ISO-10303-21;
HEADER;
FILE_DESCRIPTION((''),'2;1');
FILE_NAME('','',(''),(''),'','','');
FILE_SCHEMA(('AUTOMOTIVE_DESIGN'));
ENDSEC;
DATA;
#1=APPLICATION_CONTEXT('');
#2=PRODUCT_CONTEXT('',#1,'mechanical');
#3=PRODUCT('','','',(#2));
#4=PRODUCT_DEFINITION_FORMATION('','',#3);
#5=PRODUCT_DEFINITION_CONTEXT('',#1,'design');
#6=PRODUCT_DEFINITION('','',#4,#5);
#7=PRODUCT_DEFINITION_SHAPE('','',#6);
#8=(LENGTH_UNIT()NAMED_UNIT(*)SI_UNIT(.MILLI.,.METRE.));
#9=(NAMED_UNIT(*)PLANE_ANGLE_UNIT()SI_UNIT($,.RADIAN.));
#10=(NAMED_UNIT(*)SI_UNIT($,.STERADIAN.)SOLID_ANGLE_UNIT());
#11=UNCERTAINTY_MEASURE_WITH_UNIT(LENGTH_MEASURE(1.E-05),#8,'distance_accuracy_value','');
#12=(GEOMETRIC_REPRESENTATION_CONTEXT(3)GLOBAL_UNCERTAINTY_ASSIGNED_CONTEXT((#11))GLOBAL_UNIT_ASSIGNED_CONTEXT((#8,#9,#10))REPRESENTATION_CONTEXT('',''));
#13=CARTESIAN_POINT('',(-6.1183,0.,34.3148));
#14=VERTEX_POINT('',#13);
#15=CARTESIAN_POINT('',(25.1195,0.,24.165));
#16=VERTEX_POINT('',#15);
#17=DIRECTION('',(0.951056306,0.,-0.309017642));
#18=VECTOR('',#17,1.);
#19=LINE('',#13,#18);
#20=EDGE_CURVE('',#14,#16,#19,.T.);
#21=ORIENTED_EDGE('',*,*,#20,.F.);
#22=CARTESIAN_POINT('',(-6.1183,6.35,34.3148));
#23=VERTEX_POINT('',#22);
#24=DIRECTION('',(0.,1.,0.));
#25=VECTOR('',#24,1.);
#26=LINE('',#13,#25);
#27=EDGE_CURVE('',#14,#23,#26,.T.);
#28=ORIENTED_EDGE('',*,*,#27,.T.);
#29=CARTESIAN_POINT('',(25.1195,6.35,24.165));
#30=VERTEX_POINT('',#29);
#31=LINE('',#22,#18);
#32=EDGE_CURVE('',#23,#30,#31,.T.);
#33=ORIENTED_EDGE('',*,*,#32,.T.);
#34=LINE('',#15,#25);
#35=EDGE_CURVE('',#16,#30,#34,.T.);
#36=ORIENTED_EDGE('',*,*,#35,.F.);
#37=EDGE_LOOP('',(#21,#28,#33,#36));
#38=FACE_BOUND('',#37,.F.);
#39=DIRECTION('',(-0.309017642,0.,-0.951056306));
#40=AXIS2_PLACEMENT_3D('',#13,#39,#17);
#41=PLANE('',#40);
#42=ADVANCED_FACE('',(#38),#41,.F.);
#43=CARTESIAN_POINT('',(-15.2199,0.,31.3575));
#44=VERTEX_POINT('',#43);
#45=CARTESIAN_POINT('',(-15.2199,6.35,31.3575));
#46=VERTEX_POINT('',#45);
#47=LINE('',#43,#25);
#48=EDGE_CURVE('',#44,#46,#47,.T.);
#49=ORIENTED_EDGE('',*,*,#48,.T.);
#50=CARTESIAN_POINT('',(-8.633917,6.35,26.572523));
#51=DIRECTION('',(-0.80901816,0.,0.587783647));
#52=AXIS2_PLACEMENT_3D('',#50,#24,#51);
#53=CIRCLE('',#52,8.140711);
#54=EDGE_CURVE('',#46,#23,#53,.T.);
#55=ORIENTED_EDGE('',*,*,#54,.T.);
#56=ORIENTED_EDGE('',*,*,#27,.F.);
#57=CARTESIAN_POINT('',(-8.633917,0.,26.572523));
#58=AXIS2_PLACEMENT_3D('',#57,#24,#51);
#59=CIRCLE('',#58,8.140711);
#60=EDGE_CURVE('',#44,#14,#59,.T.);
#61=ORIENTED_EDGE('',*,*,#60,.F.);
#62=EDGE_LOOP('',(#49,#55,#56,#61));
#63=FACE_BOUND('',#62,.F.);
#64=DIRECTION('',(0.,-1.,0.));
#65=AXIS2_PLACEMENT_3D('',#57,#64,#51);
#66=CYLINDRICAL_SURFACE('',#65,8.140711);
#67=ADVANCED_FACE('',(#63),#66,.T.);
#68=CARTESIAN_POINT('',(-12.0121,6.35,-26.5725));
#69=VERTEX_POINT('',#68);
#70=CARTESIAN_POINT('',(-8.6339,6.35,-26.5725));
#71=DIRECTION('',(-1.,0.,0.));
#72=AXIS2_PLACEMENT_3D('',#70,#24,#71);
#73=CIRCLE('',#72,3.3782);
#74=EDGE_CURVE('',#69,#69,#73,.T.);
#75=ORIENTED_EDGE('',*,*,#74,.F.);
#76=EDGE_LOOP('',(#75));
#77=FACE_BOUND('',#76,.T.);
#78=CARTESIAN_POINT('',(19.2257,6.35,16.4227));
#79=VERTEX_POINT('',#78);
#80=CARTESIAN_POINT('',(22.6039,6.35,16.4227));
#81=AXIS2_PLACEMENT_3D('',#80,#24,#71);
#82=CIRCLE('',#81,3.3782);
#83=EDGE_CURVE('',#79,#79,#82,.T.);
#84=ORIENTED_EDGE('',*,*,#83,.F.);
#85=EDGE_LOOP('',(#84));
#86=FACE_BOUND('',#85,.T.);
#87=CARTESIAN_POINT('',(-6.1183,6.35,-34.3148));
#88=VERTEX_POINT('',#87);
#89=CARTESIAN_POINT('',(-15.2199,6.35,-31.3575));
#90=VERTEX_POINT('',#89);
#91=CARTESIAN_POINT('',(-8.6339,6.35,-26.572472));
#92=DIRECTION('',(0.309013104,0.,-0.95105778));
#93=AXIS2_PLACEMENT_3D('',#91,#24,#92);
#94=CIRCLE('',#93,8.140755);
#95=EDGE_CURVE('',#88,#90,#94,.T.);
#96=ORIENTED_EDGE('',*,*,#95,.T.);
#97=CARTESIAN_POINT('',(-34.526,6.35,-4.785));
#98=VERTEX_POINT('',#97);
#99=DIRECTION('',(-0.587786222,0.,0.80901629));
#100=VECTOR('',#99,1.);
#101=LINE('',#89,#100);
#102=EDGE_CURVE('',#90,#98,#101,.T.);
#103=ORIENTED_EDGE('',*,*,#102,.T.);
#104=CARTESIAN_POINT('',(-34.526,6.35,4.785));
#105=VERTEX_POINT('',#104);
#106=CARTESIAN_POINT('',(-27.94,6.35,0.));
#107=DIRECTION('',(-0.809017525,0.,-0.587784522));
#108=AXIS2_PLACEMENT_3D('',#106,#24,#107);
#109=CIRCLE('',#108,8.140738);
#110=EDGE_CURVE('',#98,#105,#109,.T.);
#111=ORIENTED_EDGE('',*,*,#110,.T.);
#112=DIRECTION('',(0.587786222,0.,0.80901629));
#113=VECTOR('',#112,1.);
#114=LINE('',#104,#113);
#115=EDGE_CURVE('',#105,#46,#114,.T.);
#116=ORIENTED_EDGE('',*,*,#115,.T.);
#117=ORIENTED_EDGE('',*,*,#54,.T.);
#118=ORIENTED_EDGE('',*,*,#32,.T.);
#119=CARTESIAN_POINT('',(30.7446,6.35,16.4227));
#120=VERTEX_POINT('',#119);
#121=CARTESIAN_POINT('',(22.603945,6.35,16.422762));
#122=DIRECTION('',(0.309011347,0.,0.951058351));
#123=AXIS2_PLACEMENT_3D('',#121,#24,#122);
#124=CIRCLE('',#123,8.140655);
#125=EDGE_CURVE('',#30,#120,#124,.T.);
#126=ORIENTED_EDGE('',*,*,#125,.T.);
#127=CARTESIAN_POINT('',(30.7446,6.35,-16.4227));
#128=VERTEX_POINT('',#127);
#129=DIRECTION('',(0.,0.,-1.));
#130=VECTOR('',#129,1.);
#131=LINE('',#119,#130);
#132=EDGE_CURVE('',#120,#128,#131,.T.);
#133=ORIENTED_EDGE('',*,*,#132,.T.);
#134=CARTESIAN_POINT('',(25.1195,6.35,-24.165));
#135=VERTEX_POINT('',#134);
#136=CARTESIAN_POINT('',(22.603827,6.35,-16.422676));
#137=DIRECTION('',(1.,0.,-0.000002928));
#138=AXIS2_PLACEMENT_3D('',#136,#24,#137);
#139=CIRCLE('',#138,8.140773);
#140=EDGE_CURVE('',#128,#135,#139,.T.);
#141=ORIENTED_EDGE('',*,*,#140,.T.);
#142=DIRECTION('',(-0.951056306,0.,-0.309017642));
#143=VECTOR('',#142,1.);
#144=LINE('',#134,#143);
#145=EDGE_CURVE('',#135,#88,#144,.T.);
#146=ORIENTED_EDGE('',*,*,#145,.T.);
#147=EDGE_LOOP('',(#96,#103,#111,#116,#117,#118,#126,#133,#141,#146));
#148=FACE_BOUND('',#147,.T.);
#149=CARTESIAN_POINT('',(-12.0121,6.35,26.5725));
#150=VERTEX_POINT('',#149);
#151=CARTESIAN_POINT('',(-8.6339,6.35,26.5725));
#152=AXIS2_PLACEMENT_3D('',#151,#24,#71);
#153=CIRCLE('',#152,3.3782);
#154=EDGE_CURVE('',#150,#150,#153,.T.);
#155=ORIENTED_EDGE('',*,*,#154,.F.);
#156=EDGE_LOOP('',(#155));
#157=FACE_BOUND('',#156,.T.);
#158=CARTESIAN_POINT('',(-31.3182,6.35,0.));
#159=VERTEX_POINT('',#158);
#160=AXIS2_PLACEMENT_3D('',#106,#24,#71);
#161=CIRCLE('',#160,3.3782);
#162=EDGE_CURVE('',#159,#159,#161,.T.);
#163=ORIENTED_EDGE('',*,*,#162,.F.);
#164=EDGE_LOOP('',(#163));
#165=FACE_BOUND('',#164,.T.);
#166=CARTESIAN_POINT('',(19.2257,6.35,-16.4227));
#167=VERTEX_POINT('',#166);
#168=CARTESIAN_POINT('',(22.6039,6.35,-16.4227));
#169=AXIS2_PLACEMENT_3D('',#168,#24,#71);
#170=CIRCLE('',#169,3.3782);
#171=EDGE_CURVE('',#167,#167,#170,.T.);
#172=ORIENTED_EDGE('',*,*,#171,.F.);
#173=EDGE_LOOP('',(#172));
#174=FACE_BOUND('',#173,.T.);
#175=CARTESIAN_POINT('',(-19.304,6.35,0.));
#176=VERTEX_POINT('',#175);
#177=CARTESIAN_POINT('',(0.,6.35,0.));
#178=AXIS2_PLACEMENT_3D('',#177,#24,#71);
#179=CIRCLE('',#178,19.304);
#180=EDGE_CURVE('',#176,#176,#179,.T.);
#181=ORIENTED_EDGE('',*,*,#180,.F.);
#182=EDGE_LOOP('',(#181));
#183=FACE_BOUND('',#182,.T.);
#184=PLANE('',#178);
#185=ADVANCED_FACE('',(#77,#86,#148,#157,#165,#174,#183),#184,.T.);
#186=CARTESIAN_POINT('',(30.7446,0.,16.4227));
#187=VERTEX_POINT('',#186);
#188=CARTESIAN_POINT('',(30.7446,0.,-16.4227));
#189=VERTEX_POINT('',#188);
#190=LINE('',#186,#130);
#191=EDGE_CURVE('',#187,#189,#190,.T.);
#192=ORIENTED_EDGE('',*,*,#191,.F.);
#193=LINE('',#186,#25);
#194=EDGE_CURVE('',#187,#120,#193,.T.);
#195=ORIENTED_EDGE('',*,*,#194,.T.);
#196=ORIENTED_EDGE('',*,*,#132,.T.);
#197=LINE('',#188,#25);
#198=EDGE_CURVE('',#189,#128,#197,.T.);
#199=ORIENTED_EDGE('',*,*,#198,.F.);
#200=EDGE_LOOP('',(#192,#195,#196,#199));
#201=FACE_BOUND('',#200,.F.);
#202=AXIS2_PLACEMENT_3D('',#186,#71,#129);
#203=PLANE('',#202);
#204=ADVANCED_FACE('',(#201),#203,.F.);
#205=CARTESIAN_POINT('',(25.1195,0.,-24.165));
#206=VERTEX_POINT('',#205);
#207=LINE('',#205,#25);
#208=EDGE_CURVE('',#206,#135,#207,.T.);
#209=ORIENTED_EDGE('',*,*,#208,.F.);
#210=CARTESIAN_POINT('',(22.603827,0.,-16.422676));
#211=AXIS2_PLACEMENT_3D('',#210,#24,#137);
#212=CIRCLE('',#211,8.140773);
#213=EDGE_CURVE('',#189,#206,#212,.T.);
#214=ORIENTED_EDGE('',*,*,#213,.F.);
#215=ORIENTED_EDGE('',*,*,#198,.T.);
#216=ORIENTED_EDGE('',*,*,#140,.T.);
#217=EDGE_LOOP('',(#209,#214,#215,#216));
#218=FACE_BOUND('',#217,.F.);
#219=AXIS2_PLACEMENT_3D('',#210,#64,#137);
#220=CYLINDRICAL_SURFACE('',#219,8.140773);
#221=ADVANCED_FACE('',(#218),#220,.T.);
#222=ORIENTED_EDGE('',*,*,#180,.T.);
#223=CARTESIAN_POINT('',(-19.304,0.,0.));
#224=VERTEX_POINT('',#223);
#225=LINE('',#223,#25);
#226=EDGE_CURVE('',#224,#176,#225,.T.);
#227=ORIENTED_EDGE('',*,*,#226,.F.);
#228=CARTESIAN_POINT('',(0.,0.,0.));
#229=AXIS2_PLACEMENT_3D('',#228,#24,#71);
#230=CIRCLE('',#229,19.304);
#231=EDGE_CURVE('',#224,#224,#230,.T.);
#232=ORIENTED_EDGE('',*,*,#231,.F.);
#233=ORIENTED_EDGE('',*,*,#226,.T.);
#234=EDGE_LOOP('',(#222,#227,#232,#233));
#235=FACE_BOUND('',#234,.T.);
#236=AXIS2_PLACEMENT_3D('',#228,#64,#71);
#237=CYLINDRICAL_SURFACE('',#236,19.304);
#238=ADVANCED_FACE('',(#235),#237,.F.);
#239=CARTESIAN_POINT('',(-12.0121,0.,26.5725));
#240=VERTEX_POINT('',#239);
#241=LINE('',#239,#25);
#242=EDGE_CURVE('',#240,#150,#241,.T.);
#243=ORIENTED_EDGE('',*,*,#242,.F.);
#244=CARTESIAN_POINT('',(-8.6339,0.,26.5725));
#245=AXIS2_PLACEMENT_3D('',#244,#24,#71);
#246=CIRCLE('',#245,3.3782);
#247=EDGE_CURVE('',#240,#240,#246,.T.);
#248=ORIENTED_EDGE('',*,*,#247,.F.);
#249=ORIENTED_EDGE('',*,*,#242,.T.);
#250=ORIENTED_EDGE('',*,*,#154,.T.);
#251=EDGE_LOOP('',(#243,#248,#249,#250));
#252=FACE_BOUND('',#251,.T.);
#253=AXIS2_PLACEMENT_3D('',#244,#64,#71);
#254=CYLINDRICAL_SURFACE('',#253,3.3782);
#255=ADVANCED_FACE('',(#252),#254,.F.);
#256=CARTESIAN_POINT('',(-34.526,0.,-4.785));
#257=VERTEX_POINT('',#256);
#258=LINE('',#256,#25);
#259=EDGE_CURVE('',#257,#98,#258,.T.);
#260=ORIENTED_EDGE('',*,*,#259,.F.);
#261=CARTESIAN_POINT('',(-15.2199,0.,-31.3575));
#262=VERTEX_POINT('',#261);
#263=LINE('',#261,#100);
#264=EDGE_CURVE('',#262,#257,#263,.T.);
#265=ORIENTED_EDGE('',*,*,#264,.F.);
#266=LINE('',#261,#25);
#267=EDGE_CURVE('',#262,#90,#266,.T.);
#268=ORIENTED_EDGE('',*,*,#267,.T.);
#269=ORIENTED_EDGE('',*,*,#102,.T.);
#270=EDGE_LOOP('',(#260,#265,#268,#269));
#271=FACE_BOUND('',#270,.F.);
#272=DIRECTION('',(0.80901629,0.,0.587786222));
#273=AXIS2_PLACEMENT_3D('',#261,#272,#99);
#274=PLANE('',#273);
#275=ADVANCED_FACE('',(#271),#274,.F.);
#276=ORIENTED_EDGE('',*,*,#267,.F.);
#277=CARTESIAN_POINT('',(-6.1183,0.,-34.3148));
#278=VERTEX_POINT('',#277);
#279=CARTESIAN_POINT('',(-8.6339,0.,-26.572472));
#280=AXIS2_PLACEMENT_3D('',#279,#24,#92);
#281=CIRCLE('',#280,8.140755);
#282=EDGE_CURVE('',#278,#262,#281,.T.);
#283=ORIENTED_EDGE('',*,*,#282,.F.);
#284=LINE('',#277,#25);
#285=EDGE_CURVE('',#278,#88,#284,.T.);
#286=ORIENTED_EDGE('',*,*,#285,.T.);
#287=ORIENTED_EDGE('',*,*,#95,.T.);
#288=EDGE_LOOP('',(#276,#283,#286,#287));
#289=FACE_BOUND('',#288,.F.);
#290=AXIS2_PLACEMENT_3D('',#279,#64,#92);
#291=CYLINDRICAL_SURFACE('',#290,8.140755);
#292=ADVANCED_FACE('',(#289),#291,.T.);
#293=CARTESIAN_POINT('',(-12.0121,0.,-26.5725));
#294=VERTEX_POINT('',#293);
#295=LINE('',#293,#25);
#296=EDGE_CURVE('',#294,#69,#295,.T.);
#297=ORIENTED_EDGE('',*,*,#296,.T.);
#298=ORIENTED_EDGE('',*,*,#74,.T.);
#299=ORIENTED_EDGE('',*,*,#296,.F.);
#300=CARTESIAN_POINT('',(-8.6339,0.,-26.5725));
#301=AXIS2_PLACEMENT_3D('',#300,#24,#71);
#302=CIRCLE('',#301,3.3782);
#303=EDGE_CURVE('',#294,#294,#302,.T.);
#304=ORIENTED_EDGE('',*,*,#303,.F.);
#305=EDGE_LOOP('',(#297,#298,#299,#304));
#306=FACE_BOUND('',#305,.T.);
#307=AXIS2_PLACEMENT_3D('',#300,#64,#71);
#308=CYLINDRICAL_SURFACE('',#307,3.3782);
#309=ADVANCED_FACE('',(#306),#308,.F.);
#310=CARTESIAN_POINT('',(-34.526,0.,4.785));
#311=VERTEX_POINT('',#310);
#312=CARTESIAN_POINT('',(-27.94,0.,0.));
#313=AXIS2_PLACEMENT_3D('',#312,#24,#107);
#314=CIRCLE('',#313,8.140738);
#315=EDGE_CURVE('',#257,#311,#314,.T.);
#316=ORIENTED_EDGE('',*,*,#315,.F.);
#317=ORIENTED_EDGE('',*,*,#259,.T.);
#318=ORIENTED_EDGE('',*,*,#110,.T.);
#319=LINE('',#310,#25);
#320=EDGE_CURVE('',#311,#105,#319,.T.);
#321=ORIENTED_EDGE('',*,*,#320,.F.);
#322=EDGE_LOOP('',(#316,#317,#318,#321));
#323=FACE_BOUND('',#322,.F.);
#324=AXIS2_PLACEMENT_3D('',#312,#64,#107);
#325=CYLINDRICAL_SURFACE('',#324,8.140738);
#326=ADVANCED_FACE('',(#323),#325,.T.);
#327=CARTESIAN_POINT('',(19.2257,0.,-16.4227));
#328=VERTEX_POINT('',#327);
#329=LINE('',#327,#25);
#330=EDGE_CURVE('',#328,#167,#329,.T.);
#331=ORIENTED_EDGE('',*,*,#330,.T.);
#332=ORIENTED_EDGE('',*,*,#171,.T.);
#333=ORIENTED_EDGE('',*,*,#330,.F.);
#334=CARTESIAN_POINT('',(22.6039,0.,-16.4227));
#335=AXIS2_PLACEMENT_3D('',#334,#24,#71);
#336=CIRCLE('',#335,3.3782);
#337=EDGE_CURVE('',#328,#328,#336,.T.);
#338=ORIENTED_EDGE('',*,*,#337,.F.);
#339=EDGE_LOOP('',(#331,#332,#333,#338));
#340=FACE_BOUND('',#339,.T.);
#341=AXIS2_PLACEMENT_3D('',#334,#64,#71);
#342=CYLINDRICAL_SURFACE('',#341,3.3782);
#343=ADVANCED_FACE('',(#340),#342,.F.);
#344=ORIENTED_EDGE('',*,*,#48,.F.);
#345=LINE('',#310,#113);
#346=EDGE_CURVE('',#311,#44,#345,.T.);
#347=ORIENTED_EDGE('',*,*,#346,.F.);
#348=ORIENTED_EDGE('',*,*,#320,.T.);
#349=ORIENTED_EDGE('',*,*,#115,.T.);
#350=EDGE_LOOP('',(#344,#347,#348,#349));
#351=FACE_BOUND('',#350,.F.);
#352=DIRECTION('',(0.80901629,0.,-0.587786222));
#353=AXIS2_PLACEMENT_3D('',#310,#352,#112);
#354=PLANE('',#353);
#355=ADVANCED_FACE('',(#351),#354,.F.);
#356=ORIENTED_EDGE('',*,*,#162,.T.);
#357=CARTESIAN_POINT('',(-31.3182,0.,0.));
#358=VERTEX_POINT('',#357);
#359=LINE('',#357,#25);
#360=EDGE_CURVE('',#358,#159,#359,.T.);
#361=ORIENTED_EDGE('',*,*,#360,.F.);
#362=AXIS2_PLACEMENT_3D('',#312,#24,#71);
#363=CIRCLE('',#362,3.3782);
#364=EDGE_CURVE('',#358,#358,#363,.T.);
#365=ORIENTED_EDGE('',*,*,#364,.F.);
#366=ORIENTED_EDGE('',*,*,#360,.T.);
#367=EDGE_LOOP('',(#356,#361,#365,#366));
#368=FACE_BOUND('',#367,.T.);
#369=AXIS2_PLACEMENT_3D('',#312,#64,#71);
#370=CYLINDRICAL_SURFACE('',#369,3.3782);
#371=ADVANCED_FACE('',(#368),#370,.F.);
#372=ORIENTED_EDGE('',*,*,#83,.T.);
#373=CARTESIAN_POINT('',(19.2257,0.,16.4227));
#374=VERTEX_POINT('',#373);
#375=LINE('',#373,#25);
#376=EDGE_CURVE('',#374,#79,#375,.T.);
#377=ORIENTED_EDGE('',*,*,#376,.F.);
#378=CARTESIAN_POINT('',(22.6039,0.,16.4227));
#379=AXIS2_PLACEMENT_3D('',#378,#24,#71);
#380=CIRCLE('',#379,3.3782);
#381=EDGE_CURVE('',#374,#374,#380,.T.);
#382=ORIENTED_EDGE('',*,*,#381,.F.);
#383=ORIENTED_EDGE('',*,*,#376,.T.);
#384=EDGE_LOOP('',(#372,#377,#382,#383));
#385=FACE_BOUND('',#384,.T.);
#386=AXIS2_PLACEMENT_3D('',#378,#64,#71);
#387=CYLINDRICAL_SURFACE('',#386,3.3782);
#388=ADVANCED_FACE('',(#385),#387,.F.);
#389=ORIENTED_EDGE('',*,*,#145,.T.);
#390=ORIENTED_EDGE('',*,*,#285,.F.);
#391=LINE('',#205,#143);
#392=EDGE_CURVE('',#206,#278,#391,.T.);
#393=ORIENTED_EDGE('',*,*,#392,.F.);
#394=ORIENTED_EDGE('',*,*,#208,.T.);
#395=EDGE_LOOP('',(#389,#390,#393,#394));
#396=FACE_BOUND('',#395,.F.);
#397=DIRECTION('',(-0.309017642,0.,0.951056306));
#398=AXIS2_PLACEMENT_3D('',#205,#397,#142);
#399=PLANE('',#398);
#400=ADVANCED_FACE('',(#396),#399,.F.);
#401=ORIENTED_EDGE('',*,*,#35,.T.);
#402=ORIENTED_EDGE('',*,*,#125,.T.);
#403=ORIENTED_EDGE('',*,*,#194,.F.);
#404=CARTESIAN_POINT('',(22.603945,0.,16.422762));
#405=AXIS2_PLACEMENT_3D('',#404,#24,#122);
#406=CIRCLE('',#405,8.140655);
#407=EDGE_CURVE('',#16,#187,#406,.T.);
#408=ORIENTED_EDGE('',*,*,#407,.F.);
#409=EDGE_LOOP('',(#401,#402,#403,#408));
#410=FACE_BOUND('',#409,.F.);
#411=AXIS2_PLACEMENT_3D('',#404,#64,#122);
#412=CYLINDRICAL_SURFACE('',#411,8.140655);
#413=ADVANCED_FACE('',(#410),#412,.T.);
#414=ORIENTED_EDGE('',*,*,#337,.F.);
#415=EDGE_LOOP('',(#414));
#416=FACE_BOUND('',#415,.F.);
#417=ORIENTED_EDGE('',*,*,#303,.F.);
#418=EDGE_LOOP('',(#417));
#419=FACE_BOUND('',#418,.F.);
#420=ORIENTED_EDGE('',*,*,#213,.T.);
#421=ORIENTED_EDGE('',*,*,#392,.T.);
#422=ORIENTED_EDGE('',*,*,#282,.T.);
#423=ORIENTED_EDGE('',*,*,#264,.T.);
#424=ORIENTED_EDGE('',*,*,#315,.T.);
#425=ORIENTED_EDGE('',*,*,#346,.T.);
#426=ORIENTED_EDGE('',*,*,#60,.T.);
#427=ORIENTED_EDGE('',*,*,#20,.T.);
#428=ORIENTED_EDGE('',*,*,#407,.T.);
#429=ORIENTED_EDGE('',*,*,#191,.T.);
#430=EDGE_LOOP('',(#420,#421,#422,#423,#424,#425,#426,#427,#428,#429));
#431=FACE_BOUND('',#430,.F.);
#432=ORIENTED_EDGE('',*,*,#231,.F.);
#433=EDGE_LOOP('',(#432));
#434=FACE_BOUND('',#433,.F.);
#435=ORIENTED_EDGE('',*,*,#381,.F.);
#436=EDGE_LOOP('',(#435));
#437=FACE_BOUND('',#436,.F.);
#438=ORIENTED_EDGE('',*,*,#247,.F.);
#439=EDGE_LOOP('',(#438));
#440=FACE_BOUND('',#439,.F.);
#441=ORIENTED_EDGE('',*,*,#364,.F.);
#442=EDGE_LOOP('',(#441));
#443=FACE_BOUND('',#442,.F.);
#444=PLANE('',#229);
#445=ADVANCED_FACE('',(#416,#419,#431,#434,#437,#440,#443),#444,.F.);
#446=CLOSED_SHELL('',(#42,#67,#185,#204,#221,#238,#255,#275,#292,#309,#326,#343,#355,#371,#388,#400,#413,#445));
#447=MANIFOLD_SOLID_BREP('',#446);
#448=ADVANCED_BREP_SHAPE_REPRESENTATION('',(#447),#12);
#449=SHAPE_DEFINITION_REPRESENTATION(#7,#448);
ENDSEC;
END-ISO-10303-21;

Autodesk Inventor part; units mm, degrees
ref_plane "YZ Plane" through (0, 0, 0) normal (1, 0, 0) x (0, 1, 0)
ref_plane "XZ Plane" through (0, 0, 0) normal (0, 1, 0) x (-1, 0, 0)
ref_plane "XY Plane" through (0, 0, 0) normal (0, 0, 1) x (1, 0, 0)
sketch "Sketch1" plane through (0, 0, 0) normal (0, 1, 0) x (-1, 0, 0)
  circle A0 centre (0, 0) radius 19.304
  line L0 (0, 0) -> (27.94, 0) construction
  circle A1 centre (27.94, 0) radius 3.3782
  circle A2 centre (8.6339, 26.5725) radius 3.3782
  circle A3 centre (-22.6039, 16.4227) radius 3.3782
  circle A4 centre (-22.6039, -16.4227) radius 3.3782
  circle A5 centre (8.6339, -26.5725) radius 3.3782
  line L1 (34.526, 4.785) -> (15.2199, 31.3575)
  arc A6 (15.2199, 31.3575) -> (6.1183, 34.3148) centre (8.6339, 26.5725) ccw
  line L2 (6.1183, 34.3148) -> (-25.1195, 24.165)
  arc A7 (-25.1195, 24.165) -> (-30.7446, 16.4227) centre (-22.6039, 16.4227) ccw
  line L3 (-30.7446, 16.4227) -> (-30.7446, -16.4227)
  arc A8 (-30.7446, -16.4227) -> (-25.1195, -24.165) centre (-22.6039, -16.4227) ccw
  line L4 (-25.1195, -24.165) -> (6.1183, -34.3148)
  arc A9 (6.1183, -34.3148) -> (15.2199, -31.3575) centre (8.6339, -26.5725) ccw
  line L5 (15.2199, -31.3575) -> (34.526, -4.785)
  arc A10 (34.526, -4.785) -> (34.526, 4.785) centre (27.94, 0) ccw
  dimension "d0" = 38.608
  dimension "d1" = 27.94
  dimension "d2" = 6.7564
  dimension "d5" = 360
  dimension "d7" = 4.7625
extrude "Extrusion1" add sketch "Sketch1" along normal blind 6.35
properties part number "gearSpacer" material "Aluminum 6061"
